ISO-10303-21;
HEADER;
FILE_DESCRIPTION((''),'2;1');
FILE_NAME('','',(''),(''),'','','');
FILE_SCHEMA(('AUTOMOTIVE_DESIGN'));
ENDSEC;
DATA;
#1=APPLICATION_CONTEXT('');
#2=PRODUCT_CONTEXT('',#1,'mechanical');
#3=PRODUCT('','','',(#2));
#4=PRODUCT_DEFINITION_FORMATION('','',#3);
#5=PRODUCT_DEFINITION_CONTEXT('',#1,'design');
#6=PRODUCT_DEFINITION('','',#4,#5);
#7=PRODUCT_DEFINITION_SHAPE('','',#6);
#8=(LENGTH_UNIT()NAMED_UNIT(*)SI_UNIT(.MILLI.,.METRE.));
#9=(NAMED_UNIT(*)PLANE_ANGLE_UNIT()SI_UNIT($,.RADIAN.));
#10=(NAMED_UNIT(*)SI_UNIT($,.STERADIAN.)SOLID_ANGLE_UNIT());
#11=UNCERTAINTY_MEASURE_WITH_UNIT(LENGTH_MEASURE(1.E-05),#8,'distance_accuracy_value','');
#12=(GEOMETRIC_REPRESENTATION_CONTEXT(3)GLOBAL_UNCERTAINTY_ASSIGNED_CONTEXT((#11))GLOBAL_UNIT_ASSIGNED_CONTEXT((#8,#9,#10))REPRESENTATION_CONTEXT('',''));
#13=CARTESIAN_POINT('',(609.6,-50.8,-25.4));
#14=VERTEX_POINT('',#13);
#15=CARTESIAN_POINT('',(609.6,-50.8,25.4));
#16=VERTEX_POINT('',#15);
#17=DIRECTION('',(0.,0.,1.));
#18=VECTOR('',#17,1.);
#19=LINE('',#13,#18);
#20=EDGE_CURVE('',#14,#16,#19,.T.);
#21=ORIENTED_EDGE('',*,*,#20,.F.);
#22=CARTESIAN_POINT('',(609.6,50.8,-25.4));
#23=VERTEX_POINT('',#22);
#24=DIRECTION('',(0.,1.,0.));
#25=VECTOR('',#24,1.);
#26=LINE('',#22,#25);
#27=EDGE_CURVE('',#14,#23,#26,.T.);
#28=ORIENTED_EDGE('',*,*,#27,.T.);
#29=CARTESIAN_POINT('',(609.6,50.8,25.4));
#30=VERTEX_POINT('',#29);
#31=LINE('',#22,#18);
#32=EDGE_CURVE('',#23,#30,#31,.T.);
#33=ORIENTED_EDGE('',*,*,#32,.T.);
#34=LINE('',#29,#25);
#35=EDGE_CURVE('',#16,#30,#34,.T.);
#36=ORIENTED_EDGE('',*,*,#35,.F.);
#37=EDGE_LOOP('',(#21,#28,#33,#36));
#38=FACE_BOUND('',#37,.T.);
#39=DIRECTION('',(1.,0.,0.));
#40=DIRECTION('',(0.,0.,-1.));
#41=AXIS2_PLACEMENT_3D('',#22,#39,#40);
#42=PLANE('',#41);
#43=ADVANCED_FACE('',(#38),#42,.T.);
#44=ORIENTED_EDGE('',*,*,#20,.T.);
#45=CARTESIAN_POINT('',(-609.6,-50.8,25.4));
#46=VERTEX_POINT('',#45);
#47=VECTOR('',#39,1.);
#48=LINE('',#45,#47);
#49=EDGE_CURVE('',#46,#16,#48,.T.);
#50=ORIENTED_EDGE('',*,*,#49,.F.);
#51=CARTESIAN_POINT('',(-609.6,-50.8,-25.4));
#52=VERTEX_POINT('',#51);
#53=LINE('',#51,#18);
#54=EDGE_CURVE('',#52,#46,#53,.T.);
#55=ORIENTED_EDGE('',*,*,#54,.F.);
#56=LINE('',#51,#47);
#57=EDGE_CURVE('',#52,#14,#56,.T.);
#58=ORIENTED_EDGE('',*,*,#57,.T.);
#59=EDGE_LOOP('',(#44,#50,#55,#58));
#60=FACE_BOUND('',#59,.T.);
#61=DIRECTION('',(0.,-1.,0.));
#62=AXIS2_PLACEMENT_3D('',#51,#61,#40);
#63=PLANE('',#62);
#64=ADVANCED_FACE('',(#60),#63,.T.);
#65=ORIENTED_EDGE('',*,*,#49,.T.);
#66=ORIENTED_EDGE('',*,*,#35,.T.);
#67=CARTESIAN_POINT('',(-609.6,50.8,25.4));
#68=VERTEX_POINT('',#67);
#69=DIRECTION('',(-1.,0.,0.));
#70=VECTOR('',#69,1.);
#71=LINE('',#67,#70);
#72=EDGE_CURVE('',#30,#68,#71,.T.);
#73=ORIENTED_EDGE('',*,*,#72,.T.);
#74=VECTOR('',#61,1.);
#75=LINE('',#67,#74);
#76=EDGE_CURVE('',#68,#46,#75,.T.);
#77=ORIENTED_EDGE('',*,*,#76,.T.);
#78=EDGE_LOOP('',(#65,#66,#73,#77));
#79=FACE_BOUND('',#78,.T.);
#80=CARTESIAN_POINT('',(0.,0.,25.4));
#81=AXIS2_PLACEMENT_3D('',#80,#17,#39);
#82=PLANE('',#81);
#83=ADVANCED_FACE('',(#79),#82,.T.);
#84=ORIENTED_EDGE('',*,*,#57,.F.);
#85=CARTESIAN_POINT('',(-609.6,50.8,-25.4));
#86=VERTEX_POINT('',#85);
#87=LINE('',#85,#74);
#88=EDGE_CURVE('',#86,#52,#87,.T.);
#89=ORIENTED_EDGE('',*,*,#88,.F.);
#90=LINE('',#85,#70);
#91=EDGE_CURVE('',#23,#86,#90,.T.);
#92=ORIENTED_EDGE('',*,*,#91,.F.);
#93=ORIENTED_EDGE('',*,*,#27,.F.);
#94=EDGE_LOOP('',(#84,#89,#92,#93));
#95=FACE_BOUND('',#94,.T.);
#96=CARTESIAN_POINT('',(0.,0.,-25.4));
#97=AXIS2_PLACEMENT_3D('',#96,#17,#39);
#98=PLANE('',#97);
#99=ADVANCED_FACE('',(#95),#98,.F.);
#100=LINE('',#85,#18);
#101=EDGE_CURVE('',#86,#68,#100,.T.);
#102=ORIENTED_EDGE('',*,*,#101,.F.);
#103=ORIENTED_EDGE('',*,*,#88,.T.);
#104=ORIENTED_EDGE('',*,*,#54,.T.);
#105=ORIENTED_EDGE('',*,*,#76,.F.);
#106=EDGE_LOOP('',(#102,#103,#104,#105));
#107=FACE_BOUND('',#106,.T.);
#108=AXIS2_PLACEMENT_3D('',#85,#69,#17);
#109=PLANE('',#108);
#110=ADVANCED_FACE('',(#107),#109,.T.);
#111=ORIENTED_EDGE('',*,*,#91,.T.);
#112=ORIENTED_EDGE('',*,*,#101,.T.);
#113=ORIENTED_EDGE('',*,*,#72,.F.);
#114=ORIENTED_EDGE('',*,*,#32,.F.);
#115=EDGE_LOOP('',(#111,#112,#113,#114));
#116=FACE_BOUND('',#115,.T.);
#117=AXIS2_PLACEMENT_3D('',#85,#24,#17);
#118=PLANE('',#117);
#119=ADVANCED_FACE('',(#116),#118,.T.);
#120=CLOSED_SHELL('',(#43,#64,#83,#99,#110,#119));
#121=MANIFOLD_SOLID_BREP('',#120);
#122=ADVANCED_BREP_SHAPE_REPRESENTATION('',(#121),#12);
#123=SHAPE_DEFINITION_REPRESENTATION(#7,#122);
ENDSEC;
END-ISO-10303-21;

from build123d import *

# Parameters (mm, degrees)
BOSS_EXTRUDE1_DEPTH      = 25.4
BOSS_EXTRUDE1_DEPTH_BACK = 25.4
SKETCH1_W                = 1219.2
SKETCH1_H                = 101.6


with BuildPart() as part:
    # Sketch1 → Boss-Extrude1 (new, two sides: drawn at the far end of the back side and taken through both)
    with BuildSketch(Plane.XY.offset(-BOSS_EXTRUDE1_DEPTH_BACK)):
        Rectangle(SKETCH1_W, SKETCH1_H)
    extrude(amount=BOSS_EXTRUDE1_DEPTH + BOSS_EXTRUDE1_DEPTH_BACK)


solid = part.part
